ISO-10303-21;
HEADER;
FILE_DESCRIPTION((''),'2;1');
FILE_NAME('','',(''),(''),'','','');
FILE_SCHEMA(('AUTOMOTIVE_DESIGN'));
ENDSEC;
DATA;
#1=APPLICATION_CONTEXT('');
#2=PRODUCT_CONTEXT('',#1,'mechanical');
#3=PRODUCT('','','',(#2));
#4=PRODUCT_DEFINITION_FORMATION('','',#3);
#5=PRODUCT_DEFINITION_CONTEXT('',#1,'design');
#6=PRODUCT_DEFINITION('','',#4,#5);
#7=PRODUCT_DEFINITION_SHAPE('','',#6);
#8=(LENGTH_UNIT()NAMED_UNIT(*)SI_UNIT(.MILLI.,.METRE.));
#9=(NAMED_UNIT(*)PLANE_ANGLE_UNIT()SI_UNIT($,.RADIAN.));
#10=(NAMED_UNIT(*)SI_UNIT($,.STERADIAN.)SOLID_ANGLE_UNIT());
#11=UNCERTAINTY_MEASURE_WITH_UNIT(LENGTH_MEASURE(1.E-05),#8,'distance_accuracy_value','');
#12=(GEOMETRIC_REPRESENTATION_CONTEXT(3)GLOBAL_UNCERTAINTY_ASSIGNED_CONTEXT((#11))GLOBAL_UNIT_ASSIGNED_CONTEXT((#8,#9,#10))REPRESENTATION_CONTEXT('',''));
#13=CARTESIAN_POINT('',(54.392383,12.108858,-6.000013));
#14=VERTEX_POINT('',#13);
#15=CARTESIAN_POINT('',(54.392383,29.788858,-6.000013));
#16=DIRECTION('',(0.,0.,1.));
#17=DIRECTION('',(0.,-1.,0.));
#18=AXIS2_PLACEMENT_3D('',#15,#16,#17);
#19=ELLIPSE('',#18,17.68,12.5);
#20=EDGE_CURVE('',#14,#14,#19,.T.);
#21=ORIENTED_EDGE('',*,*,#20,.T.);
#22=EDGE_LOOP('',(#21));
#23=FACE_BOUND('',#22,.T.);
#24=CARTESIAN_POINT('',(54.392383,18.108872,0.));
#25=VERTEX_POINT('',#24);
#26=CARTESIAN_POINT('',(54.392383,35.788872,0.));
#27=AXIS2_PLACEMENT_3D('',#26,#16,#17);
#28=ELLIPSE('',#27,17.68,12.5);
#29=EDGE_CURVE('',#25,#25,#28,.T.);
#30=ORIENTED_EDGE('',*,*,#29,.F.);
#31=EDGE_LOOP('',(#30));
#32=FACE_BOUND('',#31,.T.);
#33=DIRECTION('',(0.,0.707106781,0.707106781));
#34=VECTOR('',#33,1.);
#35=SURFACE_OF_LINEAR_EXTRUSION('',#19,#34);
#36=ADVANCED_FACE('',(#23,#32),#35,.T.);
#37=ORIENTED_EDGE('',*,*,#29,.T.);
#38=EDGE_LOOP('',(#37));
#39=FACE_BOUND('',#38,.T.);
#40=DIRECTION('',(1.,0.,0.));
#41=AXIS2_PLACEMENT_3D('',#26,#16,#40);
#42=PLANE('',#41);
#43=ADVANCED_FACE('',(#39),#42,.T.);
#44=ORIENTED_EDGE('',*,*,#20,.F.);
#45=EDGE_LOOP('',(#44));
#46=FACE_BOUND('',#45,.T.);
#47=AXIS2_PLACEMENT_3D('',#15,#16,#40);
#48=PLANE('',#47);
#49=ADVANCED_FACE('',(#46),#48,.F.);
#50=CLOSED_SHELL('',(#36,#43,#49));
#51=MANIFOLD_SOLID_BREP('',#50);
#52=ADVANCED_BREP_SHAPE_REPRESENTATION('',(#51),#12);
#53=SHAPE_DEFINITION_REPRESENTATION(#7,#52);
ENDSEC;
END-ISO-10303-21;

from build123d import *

# Parameters (mm, degrees)
SKETCH_1_RX     = 17.68
SKETCH_1_RY     = 12.5
EXTRUDE_2_DEPTH = 8.4853


with BuildPart() as part:
    # 草图1 → 凸台-拉伸2 (new body, along a direction that is not the sketch's normal)
    with BuildSketch(Plane.XY):
        with Locations(Location((54.392382982, 35.78887153), (0, 0, -90))):
            Ellipse(SKETCH_1_RX, SKETCH_1_RY)
    extrude(amount=-EXTRUDE_2_DEPTH, dir=(0, 0.707106781, 0.707106781))


solid = part.part
